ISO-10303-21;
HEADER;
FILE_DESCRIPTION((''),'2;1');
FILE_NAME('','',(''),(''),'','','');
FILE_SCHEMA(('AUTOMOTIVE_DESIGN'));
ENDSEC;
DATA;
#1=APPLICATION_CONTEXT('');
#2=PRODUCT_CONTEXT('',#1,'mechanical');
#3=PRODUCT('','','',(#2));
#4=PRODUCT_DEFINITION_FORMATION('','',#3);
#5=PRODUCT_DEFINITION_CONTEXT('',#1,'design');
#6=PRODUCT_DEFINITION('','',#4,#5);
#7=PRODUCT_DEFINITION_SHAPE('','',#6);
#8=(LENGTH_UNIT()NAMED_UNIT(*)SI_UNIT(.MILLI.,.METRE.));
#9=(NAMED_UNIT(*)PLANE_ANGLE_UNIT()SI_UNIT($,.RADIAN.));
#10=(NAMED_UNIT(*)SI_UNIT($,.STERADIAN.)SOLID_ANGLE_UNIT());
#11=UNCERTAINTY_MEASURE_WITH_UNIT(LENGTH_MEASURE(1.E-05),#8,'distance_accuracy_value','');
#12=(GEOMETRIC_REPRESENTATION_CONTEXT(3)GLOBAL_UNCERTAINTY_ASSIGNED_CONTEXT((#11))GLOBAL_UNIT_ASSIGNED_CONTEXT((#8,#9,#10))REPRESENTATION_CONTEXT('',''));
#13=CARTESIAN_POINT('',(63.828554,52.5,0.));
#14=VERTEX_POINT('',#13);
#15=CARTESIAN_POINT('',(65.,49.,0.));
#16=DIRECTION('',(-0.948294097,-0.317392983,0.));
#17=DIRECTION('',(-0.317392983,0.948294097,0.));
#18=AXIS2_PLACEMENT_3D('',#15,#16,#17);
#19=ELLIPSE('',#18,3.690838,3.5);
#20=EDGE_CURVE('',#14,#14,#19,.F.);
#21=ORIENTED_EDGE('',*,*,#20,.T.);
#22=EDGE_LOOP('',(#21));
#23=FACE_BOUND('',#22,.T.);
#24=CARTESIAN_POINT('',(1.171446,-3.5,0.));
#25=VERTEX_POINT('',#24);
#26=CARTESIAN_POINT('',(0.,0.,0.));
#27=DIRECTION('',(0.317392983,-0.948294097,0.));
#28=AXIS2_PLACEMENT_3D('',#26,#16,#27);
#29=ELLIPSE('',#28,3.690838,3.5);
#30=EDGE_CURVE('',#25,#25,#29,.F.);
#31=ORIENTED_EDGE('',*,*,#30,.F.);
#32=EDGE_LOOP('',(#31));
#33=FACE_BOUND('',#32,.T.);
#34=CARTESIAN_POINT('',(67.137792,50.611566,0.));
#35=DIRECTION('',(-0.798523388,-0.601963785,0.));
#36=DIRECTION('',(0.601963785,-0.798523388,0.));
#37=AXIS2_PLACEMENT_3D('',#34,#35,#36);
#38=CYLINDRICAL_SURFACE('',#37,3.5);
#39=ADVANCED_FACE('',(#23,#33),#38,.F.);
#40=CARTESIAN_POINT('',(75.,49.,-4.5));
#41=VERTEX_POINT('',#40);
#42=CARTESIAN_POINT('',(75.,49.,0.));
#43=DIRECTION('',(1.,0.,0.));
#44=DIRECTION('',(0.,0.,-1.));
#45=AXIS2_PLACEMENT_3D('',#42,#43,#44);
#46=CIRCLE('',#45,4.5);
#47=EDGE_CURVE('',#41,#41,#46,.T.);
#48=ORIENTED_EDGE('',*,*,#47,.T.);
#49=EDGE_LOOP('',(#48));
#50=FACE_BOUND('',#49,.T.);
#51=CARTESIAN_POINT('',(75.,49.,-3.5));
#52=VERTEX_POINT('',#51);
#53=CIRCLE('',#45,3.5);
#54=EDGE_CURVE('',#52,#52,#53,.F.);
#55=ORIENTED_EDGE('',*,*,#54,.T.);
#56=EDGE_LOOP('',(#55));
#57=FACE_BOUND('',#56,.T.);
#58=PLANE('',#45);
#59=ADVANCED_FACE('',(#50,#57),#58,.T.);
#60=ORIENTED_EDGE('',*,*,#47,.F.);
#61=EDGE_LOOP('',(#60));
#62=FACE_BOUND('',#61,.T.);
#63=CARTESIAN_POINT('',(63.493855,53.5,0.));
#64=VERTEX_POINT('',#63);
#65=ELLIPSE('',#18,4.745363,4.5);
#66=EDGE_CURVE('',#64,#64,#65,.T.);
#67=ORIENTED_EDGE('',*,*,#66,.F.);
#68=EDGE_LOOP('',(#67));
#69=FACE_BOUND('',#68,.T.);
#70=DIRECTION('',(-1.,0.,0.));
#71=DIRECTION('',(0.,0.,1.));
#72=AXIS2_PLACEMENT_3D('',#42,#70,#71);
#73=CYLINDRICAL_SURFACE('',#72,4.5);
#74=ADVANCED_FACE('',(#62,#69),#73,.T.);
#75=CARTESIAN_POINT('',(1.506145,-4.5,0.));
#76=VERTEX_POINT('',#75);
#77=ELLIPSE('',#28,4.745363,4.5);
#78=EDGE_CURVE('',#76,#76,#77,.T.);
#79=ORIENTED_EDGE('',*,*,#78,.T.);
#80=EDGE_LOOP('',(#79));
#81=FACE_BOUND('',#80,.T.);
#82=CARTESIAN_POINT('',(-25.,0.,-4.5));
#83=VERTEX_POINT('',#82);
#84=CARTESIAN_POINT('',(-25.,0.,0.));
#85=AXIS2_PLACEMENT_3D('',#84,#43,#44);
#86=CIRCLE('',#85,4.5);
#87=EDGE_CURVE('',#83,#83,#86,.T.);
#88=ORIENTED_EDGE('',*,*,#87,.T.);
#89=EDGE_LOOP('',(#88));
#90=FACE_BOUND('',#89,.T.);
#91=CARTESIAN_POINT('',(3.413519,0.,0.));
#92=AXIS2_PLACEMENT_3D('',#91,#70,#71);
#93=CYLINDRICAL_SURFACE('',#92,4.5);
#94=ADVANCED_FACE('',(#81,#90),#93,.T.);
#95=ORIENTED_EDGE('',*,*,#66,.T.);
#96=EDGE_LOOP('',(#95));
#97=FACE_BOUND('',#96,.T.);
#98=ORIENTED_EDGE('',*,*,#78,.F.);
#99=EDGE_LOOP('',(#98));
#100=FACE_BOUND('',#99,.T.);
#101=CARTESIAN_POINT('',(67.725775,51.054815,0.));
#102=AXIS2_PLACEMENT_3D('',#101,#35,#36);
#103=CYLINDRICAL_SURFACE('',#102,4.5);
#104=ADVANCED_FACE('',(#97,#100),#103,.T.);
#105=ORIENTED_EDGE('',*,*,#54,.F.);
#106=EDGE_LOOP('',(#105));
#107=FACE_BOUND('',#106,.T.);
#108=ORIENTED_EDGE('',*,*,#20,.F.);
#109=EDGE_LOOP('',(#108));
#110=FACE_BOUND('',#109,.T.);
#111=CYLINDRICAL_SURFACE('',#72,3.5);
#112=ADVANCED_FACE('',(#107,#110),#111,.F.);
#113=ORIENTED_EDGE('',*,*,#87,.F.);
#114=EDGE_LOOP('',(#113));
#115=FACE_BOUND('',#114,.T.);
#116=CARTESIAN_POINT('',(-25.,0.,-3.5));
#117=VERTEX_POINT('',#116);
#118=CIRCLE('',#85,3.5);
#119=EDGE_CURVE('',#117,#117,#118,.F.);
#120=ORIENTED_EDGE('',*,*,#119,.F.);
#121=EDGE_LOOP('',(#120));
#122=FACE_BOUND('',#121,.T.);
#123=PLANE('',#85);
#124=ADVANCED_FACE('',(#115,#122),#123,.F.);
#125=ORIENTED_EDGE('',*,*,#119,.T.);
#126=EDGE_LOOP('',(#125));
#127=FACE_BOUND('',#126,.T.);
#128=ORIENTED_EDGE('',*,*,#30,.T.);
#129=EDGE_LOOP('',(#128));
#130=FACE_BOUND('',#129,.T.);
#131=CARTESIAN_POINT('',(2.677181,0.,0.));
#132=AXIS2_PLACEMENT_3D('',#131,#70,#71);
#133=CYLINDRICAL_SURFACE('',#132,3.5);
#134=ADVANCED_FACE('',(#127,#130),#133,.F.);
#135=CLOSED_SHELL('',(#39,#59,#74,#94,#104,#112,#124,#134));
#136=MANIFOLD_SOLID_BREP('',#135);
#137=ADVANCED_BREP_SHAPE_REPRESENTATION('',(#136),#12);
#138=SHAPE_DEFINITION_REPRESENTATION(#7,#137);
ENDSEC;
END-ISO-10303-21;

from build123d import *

# Parameters (mm, degrees)
SKETCH2_R   = 4.5
SKETCH2_R_2 = 3.5


with BuildPart() as part:
    # Sweep1: sweep along a path in Sketch1
    with BuildLine(Plane.XY) as sweep1_path:
        Line((-25, 0), (0, 0))
        Line((0, 0), (65, 49))
        Line((65, 49), (75, 49))
    # Sketch2 → Sweep1 (sweep)
    with BuildSketch(Plane(origin=(0, 0, 0), x_dir=(0, 0, -1), z_dir=(1, 0, 0))):
        Circle(SKETCH2_R)
        Circle(SKETCH2_R_2, mode=Mode.SUBTRACT)
    sweep(path=sweep1_path.line, transition=Transition.RIGHT)


solid = part.part
